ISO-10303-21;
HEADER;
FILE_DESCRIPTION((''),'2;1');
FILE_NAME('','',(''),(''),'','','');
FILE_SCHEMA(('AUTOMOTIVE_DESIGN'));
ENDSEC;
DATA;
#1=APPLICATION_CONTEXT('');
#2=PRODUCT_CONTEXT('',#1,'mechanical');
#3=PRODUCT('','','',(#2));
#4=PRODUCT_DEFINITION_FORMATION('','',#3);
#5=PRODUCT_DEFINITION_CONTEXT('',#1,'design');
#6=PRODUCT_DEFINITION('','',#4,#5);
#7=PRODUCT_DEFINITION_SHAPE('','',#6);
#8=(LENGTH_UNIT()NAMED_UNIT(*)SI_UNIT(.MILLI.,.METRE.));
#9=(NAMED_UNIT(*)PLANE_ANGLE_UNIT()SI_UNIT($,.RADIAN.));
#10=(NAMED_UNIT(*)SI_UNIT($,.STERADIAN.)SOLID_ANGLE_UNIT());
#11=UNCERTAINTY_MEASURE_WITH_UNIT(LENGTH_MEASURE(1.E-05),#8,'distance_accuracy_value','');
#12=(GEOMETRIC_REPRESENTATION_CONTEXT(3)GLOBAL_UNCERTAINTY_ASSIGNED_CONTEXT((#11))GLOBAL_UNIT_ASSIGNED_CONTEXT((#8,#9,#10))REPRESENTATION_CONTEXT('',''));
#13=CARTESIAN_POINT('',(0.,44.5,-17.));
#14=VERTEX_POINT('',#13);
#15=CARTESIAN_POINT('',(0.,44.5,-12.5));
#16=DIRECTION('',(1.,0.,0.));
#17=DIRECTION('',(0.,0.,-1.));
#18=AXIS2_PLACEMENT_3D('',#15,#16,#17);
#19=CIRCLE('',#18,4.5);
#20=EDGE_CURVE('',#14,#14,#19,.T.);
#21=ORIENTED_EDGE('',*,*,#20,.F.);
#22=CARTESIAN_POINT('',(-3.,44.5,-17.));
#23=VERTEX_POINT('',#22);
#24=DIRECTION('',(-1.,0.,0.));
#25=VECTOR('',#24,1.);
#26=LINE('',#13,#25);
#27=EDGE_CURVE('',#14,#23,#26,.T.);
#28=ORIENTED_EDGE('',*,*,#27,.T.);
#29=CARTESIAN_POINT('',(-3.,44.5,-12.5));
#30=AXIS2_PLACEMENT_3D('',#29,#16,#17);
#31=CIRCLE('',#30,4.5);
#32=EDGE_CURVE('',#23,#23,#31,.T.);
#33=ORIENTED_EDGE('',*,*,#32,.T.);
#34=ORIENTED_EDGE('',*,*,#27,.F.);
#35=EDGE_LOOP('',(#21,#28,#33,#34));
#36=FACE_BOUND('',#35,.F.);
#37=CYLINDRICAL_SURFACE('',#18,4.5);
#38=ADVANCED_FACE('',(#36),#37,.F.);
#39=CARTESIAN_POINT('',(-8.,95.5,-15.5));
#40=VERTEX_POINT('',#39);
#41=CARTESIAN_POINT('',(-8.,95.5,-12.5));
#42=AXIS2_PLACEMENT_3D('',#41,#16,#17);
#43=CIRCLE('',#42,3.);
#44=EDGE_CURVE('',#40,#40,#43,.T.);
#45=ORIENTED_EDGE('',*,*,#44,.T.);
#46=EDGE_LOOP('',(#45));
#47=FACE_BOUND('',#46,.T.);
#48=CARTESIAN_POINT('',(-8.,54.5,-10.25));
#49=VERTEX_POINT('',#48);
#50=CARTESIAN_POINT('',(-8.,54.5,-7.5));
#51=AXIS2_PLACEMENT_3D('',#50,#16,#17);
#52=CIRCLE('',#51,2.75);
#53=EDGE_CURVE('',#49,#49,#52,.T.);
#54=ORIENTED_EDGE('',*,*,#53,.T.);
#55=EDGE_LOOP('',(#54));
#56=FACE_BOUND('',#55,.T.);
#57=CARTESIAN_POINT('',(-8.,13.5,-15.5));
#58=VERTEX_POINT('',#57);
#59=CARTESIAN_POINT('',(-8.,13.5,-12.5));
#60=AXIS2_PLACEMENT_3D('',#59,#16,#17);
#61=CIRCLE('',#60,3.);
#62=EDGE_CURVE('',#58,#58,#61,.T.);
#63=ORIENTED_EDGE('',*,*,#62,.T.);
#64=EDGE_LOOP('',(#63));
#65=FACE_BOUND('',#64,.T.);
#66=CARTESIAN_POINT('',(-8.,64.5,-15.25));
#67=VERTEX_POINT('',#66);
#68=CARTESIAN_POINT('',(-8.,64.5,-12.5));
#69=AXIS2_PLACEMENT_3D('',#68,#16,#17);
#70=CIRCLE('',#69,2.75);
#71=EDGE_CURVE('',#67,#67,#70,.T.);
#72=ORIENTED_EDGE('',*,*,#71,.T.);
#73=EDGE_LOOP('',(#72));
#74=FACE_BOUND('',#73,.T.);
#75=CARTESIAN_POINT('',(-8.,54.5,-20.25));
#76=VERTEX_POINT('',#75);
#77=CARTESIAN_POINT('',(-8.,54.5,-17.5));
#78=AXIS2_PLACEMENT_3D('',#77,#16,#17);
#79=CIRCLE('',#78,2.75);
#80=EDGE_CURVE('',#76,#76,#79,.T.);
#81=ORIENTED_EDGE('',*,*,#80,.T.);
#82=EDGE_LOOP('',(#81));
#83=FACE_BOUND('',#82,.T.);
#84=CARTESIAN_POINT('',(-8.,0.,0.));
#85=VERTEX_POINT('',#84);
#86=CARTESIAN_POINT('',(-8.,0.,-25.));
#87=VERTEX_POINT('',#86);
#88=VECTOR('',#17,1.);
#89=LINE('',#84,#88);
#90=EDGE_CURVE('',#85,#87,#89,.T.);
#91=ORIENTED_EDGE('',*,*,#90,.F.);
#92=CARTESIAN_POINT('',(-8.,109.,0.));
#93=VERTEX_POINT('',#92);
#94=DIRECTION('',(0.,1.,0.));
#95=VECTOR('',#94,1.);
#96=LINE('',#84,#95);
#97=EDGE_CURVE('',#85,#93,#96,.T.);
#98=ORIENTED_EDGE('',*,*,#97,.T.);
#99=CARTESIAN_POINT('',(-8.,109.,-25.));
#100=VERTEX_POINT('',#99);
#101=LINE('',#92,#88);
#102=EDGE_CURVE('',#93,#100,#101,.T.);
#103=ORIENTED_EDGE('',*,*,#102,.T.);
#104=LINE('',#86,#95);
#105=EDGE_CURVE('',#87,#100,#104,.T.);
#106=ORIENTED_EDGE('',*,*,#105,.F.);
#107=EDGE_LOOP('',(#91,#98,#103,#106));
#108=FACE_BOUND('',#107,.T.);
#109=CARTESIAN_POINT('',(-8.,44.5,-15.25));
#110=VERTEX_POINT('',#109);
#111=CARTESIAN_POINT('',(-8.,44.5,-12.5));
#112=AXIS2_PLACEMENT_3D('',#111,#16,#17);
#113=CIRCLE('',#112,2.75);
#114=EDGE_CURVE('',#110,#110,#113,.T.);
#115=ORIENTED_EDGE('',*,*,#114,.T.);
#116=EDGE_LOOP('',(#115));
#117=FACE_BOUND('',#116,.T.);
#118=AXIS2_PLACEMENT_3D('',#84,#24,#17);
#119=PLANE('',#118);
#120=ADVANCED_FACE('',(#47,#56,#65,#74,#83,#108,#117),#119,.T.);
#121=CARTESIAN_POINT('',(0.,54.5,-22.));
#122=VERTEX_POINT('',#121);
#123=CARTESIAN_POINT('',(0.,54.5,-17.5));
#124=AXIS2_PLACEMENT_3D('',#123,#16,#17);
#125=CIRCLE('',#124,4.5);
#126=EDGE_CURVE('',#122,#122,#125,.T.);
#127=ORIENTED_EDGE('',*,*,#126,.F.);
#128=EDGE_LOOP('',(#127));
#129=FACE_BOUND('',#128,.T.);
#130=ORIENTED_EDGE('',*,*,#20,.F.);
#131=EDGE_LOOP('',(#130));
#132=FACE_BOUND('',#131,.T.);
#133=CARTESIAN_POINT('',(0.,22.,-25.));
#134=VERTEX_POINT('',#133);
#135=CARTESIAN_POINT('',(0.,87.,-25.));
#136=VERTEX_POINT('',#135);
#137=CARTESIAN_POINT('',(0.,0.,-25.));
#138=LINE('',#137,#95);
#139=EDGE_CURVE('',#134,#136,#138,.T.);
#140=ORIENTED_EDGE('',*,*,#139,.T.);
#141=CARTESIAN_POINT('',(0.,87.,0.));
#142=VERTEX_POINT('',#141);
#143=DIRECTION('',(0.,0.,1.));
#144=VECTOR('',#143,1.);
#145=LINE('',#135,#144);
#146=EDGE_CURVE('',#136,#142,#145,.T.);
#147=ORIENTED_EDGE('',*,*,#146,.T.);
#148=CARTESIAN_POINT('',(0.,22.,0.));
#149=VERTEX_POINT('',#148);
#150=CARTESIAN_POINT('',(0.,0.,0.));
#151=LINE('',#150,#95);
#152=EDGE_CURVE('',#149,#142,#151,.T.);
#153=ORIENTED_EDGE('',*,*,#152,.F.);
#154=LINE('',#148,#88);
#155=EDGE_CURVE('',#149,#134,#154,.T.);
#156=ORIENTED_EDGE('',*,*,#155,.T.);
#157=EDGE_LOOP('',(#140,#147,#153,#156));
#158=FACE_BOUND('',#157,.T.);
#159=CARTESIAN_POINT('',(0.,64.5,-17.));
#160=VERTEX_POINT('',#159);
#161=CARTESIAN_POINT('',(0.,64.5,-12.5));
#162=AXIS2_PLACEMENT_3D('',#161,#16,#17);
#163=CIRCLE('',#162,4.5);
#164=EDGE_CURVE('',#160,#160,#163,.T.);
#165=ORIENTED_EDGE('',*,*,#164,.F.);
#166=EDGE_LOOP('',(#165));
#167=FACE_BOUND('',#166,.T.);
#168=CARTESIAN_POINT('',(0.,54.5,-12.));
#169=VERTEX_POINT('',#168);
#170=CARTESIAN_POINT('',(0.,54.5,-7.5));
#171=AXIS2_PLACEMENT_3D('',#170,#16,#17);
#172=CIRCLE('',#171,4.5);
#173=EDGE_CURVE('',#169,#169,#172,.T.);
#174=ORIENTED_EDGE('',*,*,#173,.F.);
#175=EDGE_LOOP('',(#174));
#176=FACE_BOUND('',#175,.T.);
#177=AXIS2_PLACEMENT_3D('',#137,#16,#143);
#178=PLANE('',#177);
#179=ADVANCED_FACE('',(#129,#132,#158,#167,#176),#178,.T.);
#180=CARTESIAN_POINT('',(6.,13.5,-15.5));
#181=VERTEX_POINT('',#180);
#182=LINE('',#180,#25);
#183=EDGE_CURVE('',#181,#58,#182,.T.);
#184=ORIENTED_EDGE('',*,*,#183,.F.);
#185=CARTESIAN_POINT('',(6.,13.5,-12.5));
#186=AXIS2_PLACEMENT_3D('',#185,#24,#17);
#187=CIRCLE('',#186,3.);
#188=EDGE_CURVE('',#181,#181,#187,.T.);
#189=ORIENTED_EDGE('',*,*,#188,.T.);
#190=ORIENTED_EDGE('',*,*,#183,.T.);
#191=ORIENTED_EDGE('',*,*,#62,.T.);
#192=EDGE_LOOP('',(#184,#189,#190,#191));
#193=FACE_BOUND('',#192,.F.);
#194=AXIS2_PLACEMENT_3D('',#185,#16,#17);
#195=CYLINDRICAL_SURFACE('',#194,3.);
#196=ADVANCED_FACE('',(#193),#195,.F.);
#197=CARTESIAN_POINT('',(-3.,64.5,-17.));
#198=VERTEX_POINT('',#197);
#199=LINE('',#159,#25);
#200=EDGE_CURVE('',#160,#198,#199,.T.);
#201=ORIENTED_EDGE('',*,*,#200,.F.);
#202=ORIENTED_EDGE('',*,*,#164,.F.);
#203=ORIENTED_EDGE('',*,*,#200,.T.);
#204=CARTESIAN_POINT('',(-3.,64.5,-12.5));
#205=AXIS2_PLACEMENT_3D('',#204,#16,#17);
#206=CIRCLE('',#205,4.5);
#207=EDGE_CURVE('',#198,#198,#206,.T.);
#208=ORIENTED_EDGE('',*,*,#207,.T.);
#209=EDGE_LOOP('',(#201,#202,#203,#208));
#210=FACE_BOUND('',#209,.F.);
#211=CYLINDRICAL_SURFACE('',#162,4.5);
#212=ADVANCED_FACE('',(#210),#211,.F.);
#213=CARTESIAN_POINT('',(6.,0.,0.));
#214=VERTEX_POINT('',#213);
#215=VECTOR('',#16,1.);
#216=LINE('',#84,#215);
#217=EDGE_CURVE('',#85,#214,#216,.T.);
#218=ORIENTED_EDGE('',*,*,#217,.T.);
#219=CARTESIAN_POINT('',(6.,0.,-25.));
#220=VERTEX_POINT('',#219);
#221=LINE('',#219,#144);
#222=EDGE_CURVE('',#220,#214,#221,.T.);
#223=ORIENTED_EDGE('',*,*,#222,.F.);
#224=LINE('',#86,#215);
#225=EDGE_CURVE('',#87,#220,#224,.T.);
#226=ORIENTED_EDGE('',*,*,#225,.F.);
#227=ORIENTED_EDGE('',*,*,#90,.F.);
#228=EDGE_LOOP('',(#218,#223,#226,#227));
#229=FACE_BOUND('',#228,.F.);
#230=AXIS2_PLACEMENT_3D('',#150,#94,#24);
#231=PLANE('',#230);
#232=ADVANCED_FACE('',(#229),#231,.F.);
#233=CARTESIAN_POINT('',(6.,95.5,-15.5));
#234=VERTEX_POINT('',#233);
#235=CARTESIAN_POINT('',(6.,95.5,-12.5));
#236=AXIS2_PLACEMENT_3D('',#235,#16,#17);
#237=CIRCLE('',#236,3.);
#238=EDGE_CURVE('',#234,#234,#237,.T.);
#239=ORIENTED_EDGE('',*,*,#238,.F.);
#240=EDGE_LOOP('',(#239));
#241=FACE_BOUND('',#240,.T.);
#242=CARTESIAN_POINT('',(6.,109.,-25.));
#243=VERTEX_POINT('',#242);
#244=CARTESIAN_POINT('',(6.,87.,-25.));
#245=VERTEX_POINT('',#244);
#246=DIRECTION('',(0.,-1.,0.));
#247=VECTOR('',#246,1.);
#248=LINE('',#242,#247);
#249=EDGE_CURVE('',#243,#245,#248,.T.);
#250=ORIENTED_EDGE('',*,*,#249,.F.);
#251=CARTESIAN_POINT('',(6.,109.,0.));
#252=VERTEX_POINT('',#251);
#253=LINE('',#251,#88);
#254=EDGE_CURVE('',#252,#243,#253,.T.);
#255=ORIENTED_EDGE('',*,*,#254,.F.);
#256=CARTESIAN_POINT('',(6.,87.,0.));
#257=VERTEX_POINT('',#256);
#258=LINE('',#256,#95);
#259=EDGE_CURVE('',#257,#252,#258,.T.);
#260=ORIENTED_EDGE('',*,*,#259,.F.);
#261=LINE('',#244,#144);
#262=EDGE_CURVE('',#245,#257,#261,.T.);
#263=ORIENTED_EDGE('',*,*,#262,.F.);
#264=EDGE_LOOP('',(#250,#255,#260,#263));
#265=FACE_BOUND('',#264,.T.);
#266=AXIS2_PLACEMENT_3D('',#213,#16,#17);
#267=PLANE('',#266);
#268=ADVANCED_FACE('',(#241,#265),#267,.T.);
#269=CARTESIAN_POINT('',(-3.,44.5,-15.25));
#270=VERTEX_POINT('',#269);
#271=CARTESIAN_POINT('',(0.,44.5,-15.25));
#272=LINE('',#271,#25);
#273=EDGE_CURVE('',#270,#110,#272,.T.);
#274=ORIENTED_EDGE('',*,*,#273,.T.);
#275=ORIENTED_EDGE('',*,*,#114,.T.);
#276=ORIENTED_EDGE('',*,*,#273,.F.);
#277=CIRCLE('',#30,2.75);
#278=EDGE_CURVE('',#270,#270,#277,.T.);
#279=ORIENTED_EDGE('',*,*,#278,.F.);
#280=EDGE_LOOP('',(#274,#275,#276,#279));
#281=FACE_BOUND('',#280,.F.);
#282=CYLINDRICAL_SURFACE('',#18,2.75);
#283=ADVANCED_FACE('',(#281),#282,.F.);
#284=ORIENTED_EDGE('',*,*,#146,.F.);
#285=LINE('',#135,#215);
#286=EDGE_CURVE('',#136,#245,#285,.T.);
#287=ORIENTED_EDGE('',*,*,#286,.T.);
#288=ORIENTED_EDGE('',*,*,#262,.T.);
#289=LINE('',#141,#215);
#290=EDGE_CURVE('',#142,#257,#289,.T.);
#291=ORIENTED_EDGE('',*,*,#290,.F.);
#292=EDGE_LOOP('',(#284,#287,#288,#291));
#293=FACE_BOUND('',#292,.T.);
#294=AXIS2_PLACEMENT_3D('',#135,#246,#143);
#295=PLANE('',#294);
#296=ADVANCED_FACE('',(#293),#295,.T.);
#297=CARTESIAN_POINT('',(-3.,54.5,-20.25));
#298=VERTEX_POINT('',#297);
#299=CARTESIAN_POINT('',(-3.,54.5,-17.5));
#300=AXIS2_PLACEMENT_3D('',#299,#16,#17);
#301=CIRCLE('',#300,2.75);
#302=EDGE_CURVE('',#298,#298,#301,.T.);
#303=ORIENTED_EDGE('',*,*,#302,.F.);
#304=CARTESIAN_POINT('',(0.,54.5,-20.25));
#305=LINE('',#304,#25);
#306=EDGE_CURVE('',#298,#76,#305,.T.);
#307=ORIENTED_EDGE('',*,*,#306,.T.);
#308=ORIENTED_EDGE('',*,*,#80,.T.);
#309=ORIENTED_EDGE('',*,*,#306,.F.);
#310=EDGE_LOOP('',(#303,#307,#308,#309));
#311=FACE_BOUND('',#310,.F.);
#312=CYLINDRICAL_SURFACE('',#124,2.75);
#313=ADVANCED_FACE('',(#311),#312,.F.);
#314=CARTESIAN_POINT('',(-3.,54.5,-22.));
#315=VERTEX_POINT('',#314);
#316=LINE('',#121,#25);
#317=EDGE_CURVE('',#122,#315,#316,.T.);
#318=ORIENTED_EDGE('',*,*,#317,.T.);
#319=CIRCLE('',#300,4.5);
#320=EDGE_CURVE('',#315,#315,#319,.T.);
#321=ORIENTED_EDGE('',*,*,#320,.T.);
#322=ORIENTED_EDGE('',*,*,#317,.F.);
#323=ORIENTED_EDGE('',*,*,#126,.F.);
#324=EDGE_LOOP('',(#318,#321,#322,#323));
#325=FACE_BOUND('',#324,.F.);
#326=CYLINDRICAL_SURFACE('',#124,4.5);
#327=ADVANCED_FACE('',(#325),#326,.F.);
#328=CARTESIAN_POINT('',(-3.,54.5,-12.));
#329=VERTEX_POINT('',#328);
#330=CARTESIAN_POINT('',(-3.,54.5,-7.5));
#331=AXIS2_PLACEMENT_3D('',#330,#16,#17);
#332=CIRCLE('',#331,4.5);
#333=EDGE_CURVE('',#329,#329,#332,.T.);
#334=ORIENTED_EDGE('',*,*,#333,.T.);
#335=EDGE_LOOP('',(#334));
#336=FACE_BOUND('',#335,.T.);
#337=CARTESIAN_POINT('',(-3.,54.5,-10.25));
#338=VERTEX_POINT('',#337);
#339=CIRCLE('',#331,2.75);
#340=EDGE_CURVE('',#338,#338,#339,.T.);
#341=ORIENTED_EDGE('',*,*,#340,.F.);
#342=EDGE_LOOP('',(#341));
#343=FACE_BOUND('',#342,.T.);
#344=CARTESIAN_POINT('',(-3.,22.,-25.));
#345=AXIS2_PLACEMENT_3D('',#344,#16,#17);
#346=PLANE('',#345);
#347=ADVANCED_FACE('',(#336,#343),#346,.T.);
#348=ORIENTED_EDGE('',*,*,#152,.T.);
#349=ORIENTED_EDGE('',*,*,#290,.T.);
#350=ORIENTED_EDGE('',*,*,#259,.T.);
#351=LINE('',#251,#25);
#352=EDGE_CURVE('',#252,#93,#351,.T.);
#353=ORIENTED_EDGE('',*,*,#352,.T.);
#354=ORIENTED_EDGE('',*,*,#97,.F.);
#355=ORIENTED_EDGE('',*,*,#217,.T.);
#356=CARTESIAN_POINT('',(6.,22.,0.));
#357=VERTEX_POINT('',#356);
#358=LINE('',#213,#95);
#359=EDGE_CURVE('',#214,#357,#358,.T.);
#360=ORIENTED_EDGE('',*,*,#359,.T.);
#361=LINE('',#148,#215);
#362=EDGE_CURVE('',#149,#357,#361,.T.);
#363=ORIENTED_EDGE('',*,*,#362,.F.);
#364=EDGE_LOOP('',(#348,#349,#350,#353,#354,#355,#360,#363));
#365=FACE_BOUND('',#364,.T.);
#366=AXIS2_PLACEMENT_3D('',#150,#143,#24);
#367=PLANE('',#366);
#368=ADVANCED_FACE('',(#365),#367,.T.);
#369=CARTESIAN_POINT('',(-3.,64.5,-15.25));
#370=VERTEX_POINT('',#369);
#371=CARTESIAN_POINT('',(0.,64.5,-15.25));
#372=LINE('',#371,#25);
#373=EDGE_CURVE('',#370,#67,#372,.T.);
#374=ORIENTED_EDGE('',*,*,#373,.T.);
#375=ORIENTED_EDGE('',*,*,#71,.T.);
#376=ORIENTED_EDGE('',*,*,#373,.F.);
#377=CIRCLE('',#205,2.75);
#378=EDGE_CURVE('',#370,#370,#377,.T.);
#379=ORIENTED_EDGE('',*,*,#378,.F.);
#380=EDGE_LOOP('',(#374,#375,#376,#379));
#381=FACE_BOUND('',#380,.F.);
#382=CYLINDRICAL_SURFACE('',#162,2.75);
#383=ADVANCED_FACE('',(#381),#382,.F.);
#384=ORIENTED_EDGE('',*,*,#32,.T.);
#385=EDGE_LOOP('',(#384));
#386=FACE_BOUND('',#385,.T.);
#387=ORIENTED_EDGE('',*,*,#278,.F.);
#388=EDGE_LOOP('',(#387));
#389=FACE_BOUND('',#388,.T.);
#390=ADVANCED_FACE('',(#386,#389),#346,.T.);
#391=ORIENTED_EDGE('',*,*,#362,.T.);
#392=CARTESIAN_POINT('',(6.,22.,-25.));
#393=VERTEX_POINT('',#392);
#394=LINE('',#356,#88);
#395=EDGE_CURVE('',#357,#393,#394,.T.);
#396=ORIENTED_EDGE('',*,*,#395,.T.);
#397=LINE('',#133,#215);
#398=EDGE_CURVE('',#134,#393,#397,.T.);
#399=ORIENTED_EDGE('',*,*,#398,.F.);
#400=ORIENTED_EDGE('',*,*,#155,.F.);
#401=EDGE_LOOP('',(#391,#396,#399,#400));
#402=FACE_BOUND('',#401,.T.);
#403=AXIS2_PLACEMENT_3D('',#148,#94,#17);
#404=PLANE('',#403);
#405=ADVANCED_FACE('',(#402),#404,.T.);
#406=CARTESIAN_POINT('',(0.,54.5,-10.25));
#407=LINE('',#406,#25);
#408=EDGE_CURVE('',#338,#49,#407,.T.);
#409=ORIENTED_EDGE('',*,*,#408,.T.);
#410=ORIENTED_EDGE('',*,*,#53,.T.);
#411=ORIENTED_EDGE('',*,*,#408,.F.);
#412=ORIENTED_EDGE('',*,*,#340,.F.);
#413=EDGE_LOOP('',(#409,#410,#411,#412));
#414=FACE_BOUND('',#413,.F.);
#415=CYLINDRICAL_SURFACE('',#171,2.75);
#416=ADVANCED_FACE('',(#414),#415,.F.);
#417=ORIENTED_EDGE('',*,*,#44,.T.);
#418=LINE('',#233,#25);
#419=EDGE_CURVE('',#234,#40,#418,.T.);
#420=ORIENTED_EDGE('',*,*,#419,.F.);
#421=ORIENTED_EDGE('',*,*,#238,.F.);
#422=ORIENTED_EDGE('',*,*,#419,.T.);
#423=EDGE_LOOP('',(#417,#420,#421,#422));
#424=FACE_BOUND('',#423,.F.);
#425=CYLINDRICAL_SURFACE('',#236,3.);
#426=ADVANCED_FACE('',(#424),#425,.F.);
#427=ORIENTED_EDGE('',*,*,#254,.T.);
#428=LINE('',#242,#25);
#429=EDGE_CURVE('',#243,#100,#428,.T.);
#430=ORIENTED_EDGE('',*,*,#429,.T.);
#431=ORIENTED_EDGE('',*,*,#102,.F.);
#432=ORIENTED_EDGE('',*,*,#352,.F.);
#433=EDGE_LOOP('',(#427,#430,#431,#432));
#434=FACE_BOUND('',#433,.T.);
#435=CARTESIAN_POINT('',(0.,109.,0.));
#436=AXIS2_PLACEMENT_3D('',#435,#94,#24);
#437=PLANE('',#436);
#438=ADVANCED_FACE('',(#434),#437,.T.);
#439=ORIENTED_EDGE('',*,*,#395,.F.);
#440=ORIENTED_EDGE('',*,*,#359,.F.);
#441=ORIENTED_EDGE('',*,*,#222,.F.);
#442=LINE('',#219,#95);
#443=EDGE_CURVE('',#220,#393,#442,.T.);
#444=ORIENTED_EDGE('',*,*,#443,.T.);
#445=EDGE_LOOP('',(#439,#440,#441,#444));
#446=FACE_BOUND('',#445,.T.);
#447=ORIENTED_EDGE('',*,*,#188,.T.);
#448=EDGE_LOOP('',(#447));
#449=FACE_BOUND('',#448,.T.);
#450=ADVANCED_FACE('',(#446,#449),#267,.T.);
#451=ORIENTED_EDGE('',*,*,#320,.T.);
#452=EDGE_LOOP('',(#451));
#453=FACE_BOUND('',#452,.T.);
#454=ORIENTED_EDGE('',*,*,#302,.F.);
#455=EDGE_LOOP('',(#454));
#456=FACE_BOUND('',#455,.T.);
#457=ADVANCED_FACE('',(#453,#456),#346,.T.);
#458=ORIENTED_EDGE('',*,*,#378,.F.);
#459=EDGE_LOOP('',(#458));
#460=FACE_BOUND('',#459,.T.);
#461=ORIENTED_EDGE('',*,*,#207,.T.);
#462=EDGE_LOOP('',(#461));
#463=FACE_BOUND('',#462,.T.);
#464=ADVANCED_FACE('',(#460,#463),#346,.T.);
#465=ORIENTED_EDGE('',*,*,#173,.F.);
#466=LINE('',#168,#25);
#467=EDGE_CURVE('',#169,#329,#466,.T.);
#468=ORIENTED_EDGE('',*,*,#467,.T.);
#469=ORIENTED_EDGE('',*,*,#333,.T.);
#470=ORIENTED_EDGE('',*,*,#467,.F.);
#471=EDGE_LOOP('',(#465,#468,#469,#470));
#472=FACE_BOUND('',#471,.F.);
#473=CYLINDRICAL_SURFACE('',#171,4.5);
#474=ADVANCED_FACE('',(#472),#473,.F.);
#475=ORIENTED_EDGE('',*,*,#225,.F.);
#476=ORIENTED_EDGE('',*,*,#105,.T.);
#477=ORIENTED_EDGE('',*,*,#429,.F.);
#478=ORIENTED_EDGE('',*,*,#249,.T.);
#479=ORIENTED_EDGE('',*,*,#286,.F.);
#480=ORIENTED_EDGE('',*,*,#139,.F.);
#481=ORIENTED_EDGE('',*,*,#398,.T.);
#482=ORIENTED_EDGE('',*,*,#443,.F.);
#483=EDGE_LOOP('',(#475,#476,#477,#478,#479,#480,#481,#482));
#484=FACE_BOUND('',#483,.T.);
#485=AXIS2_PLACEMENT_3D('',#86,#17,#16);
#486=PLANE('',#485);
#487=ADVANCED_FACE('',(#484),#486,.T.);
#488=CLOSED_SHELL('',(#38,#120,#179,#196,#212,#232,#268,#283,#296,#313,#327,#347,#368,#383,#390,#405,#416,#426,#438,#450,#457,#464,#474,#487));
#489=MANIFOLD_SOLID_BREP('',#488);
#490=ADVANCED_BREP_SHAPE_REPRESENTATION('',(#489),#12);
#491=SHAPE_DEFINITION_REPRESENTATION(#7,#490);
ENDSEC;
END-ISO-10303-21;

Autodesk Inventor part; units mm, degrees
ref_plane "YZ Plane" through (0, 0, 0) normal (1, 0, 0) x (0, 1, 0)
ref_plane "XZ Plane" through (0, 0, 0) normal (0, 1, 0) x (-1, 0, 0)
ref_plane "XY Plane" through (0, 0, 0) normal (0, 0, 1) x (1, 0, 0)
sketch "Sketch1" plane through (0, 0, 0) normal (0, 1, 0) x (-1, 0, 0)
  line L0 (0, 0) -> (8, 0)
  line L1 (8, 0) -> (8, -25)
  line L2 (8, -25) -> (0, -25)
  line L3 (0, -25) -> (0, 0)
  dimension "d0" = 8
  dimension "d1" = 25
extrude "Extrusion1" add sketch "Sketch1" along normal blind 109
sketch "Sketch2" plane through (0, 0, 0) normal (1, 0, 0) x (0, 0, -1)
  line L0 (0, 109) -> (25, 109) projected
  line L1 (0, 109) -> (25, 109)
  line L2 (25, 109) -> (25, 87)
  line L3 (25, 87) -> (0, 87)
  line L4 (0, 87) -> (0, 109)
  line L5 (25, 0) -> (25, 109) projected
  line L6 (25, 0) -> (0, 0)
  line L7 (0, 0) -> (0, 22)
  line L8 (0, 22) -> (25, 22)
  line L9 (25, 22) -> (25, 0)
  dimension "d4" = 25
  dimension "d5" = 22
  dimension "d6" = 25
  dimension "d7" = 22
extrude "Extrusion2" add sketch "Sketch2" along normal blind 6
sketch "Sketch3" plane through (6, 0, 0) normal (1, 0, 0) x (0, 0, -1)
  line L0 (0, 0) -> (25, 0) projected
  line L1 (0, 0) -> (12.5, 0)
  line L2 (12.5, 0) -> (12.5, 13.5)
  circle A0 centre (12.5, 13.5) radius 3
  circle A1 centre (12.5, 95.5) radius 3
  line L3 (25, 109) -> (0, 109) projected
  line L4 (0, 109) -> (0, 87) projected
  dimension "d10" = 13.5
  dimension "d11" = 6
  dimension "d12" = 6
  dimension "d13" = 13.5
  dimension "d14" = 12.5
sketch "Sketch4" plane through (0, 22, -25) normal (1, 0, 0) x (0, 0, -1)
  circle A0 centre (-17.5, 32.5) radius 2.75
  line L0 (-25, -22) -> (0, -22) projected
  line L1 (-25, 0) -> (-25, 65) projected
  circle A1 centre (-7.5, 32.5) radius 2.75
  line L2 (0, 0) -> (0, 65) projected
  circle A2 centre (-12.5, 22.5) radius 2.75
  circle A3 centre (-12.5, 42.5) radius 2.75
  dimension "d15" = 5.5
  dimension "d16" = 54.5
  dimension "d17" = 7.5
  dimension "d18" = 5.5
  dimension "d19" = 7.5
  dimension "d20" = 54.5
  dimension "d21" = 5.5
  dimension "d22" = 5.5
  dimension "d23" = 10
  dimension "d24" = 5
  dimension "d25" = 10
  dimension "d26" = 5
extrude "Extrusion3" cut sketch "Sketch3" against normal up to next
extrude "Extrusion4" cut sketch "Sketch4" against normal up to next
sketch "Sketch5" plane through (0, 22, -25) normal (1, 0, 0) x (0, 0, -1)
  circle A0 centre (-12.5, 42.5) radius 2.75 projected
  circle A1 centre (-12.5, 42.5) radius 4.5
  circle A2 centre (-17.5, 32.5) radius 2.75 projected
  circle A3 centre (-17.5, 32.5) radius 4.5
  circle A4 centre (-7.5, 32.5) radius 2.75 projected
  circle A5 centre (-7.5, 32.5) radius 4.5
  circle A6 centre (-12.5, 22.5) radius 2.75 projected
  circle A7 centre (-12.5, 22.5) radius 4.5
  point P0 (-25, -22)
  dimension "d31" = 9
  dimension "d32" = 9
  dimension "d33" = 9
  dimension "d34" = 9
extrude "Extrusion5" cut sketch "Sketch5" against normal blind 3
properties part number "Back_Bracket" material "ABS Plastic"
